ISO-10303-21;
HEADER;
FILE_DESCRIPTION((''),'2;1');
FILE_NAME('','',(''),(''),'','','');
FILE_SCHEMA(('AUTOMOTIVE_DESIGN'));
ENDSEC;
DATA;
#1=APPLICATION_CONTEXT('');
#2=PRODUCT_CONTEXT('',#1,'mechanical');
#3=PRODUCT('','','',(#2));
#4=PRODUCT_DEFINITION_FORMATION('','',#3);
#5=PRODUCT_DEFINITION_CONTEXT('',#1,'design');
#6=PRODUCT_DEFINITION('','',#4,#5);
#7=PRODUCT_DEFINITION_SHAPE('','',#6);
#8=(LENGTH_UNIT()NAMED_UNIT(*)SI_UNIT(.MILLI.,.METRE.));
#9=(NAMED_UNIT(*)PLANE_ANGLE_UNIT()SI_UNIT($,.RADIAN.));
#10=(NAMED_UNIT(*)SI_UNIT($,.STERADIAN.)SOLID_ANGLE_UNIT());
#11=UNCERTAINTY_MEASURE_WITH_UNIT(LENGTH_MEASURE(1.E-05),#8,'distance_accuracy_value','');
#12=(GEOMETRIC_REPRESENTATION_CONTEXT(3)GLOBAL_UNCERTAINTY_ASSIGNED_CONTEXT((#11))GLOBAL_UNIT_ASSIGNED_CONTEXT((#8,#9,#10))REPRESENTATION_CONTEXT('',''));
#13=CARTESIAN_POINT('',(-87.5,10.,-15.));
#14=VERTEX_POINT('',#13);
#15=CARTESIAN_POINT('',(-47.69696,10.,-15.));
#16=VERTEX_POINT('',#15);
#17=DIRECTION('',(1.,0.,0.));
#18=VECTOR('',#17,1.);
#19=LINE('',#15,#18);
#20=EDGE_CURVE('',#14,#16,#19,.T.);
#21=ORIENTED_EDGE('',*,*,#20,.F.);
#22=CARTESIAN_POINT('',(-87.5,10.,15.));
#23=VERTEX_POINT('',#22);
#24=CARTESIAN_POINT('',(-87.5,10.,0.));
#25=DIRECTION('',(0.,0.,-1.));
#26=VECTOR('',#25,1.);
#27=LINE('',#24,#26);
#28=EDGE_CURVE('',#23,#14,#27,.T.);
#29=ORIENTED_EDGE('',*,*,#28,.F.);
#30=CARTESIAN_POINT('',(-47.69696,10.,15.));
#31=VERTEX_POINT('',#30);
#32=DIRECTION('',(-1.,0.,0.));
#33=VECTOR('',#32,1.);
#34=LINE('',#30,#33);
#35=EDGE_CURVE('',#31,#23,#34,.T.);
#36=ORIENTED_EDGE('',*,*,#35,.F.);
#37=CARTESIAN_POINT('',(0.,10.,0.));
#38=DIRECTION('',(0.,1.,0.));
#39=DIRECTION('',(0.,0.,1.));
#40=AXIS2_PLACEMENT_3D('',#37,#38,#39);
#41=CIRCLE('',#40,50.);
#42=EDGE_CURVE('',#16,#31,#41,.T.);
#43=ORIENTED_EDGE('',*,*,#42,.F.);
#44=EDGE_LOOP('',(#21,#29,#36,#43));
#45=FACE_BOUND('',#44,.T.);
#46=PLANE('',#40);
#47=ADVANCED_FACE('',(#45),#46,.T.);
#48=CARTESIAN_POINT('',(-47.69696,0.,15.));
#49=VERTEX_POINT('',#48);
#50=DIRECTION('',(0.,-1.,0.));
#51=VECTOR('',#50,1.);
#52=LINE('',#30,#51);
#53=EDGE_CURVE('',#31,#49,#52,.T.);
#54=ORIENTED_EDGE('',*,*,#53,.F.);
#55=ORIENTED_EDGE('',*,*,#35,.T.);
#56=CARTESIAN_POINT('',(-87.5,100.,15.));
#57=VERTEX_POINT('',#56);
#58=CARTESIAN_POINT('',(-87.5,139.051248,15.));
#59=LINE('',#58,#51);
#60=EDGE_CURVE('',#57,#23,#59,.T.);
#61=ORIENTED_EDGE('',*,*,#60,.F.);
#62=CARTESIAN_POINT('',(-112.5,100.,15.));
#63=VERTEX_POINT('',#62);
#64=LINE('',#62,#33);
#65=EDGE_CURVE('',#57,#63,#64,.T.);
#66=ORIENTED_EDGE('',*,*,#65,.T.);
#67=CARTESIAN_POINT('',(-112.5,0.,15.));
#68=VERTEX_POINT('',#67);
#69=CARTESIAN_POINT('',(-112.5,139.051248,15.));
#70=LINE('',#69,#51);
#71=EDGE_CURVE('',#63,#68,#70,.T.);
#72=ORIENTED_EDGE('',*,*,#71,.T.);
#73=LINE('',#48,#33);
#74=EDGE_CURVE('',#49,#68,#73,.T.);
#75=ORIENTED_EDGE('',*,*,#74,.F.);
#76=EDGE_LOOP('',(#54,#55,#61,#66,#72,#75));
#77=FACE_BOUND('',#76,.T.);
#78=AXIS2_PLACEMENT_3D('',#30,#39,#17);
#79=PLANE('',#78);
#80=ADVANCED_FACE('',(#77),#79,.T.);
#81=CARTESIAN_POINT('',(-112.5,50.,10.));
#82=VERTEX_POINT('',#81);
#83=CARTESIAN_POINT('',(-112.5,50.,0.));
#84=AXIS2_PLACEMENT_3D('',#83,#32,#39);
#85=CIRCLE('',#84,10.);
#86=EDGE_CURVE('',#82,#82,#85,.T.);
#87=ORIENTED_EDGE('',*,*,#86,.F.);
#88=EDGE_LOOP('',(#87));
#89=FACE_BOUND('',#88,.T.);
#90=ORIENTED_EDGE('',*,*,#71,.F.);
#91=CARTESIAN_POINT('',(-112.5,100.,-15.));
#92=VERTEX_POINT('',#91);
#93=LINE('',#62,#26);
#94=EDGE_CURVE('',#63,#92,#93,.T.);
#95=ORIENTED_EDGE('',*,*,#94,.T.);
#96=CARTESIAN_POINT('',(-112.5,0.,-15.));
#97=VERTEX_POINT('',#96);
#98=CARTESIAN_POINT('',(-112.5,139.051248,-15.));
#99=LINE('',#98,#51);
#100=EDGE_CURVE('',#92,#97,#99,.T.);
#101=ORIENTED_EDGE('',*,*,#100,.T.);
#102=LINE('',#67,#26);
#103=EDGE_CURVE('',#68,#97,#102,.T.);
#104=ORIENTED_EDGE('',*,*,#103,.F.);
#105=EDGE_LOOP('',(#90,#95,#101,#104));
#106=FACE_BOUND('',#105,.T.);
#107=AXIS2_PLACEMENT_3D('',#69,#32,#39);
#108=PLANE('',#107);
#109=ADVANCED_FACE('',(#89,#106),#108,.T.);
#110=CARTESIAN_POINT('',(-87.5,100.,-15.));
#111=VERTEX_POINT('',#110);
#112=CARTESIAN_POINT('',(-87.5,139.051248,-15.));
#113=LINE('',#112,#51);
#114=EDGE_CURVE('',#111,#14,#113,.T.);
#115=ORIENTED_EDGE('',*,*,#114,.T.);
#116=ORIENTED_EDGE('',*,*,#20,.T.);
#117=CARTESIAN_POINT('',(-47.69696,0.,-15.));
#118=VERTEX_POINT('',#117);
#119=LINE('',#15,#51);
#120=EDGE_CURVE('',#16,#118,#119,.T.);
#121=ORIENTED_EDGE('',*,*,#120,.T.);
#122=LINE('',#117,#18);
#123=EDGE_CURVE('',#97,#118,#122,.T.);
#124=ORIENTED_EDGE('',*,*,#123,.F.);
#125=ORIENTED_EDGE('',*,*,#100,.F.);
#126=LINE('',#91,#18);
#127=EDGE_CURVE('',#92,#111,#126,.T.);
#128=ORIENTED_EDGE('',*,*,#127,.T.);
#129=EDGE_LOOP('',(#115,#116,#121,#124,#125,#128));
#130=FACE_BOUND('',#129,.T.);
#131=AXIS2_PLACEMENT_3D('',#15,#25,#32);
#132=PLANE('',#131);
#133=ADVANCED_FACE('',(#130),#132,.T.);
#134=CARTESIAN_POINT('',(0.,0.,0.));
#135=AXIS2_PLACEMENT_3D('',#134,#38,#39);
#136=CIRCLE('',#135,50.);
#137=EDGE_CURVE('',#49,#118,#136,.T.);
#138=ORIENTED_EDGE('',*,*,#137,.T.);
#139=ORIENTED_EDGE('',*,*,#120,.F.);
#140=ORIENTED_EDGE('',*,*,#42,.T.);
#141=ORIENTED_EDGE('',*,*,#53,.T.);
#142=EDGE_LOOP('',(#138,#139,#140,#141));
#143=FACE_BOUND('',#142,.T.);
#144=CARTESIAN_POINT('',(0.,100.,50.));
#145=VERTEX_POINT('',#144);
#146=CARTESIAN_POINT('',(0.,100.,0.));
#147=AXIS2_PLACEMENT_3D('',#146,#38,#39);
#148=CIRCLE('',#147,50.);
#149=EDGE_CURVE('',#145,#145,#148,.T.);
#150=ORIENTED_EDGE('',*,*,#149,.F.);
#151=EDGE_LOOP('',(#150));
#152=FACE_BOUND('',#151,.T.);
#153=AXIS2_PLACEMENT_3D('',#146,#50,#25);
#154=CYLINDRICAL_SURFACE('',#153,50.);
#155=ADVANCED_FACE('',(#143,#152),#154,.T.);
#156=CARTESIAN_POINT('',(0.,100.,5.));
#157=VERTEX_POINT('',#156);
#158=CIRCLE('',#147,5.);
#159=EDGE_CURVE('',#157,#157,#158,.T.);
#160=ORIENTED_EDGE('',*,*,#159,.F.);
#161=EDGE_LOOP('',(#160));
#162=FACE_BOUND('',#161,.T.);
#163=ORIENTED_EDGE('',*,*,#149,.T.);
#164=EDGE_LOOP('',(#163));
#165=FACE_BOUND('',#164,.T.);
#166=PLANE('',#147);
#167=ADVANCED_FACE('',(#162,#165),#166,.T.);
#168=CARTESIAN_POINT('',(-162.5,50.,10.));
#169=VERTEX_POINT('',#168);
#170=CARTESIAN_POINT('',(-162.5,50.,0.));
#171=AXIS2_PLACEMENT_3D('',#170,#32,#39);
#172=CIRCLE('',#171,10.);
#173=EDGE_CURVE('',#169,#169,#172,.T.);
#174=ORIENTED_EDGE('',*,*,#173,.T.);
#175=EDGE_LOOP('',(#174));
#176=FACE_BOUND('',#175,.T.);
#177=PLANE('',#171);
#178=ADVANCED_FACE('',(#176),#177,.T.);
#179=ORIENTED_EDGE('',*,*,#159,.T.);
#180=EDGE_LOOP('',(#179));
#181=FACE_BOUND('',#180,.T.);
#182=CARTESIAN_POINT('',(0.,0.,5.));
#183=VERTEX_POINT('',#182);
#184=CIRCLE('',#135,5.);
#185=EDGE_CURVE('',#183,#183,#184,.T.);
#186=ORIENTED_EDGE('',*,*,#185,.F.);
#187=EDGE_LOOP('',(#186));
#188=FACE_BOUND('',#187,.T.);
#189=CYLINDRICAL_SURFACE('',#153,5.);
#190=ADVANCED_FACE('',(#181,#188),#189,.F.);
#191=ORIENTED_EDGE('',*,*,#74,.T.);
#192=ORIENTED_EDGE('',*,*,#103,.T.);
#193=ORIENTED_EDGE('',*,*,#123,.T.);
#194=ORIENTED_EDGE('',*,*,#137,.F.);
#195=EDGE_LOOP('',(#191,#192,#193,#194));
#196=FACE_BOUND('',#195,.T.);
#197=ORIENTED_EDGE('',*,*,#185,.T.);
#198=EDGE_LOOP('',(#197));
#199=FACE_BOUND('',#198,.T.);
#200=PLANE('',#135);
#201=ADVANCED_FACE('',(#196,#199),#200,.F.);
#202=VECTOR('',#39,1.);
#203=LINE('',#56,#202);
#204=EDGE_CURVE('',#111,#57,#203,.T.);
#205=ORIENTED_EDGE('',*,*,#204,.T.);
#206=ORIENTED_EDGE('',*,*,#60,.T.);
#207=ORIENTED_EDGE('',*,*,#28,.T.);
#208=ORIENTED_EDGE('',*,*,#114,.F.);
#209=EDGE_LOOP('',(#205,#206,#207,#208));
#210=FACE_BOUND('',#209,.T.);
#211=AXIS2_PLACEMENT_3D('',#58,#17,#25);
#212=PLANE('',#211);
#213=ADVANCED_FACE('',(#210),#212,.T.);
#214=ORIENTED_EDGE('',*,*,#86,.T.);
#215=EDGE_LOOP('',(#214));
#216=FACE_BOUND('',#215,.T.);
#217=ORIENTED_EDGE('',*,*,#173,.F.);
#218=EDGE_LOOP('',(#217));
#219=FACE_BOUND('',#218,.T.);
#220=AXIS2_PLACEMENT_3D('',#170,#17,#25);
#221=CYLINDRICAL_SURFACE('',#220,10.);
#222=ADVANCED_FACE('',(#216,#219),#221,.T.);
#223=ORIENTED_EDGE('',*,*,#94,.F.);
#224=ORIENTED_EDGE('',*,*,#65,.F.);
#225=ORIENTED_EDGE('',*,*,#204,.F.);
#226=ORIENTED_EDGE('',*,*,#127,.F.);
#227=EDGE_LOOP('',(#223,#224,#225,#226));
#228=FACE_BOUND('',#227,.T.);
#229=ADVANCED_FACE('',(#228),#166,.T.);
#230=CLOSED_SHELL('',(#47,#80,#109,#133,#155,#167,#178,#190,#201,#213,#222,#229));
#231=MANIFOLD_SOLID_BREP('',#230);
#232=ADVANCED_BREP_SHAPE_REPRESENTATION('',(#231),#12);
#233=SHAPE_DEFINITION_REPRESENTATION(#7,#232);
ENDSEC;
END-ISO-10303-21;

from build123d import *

# Parameters (mm, degrees)
SKETCH2_R           = 50
SKETCH2_R_2         = 5
BOSS_EXTRUDE1_DEPTH = 100
BOSS_EXTRUDE2_DEPTH = 10
SKETCH4_W           = 25
SKETCH4_H           = 30
BOSS_EXTRUDE3_DEPTH = 100
SKETCH5_R           = 10
BOSS_EXTRUDE4_DEPTH = 50


with BuildPart() as part:
    # Sketch2 → Boss-Extrude1 (new body)
    with BuildSketch(Plane(origin=(0, 0, 0), x_dir=(1, 0, 0), z_dir=(0, 1, 0))):
        with Locations(Location((0, 0, 0), (0, 0, 270))):
            Circle(SKETCH2_R)
        with Locations(Location((0, 0, 0), (0, 0, 270))):
            Circle(SKETCH2_R_2, mode=Mode.SUBTRACT)
    extrude(amount=BOSS_EXTRUDE1_DEPTH)

    # Sketch3 → Boss-Extrude2 (add)
    with BuildSketch(Plane.XZ):
        with BuildLine():
            Line((-47.696960071, -15), (-100, -15))
            Line((-100, -15), (-100, 15))
            Line((-100, 15), (-47.696960071, 15))
            ThreePointArc((-47.696960071, 15), (-50, 0), (-47.696960071, -15))
        make_face()
    extrude(amount=-BOSS_EXTRUDE2_DEPTH)

    # Sketch4 → Boss-Extrude3 (add)
    with BuildSketch(Plane.XZ):
        with Locations((-100, 0)):
            Rectangle(SKETCH4_W, SKETCH4_H)
    extrude(amount=-BOSS_EXTRUDE3_DEPTH)

    # Sketch5 → Boss-Extrude4 (add)
    with BuildSketch(Plane.ZY.offset(112.5)):
        with Locations((0, 50)):
            Circle(SKETCH5_R)
    extrude(amount=BOSS_EXTRUDE4_DEPTH)


solid = part.part
